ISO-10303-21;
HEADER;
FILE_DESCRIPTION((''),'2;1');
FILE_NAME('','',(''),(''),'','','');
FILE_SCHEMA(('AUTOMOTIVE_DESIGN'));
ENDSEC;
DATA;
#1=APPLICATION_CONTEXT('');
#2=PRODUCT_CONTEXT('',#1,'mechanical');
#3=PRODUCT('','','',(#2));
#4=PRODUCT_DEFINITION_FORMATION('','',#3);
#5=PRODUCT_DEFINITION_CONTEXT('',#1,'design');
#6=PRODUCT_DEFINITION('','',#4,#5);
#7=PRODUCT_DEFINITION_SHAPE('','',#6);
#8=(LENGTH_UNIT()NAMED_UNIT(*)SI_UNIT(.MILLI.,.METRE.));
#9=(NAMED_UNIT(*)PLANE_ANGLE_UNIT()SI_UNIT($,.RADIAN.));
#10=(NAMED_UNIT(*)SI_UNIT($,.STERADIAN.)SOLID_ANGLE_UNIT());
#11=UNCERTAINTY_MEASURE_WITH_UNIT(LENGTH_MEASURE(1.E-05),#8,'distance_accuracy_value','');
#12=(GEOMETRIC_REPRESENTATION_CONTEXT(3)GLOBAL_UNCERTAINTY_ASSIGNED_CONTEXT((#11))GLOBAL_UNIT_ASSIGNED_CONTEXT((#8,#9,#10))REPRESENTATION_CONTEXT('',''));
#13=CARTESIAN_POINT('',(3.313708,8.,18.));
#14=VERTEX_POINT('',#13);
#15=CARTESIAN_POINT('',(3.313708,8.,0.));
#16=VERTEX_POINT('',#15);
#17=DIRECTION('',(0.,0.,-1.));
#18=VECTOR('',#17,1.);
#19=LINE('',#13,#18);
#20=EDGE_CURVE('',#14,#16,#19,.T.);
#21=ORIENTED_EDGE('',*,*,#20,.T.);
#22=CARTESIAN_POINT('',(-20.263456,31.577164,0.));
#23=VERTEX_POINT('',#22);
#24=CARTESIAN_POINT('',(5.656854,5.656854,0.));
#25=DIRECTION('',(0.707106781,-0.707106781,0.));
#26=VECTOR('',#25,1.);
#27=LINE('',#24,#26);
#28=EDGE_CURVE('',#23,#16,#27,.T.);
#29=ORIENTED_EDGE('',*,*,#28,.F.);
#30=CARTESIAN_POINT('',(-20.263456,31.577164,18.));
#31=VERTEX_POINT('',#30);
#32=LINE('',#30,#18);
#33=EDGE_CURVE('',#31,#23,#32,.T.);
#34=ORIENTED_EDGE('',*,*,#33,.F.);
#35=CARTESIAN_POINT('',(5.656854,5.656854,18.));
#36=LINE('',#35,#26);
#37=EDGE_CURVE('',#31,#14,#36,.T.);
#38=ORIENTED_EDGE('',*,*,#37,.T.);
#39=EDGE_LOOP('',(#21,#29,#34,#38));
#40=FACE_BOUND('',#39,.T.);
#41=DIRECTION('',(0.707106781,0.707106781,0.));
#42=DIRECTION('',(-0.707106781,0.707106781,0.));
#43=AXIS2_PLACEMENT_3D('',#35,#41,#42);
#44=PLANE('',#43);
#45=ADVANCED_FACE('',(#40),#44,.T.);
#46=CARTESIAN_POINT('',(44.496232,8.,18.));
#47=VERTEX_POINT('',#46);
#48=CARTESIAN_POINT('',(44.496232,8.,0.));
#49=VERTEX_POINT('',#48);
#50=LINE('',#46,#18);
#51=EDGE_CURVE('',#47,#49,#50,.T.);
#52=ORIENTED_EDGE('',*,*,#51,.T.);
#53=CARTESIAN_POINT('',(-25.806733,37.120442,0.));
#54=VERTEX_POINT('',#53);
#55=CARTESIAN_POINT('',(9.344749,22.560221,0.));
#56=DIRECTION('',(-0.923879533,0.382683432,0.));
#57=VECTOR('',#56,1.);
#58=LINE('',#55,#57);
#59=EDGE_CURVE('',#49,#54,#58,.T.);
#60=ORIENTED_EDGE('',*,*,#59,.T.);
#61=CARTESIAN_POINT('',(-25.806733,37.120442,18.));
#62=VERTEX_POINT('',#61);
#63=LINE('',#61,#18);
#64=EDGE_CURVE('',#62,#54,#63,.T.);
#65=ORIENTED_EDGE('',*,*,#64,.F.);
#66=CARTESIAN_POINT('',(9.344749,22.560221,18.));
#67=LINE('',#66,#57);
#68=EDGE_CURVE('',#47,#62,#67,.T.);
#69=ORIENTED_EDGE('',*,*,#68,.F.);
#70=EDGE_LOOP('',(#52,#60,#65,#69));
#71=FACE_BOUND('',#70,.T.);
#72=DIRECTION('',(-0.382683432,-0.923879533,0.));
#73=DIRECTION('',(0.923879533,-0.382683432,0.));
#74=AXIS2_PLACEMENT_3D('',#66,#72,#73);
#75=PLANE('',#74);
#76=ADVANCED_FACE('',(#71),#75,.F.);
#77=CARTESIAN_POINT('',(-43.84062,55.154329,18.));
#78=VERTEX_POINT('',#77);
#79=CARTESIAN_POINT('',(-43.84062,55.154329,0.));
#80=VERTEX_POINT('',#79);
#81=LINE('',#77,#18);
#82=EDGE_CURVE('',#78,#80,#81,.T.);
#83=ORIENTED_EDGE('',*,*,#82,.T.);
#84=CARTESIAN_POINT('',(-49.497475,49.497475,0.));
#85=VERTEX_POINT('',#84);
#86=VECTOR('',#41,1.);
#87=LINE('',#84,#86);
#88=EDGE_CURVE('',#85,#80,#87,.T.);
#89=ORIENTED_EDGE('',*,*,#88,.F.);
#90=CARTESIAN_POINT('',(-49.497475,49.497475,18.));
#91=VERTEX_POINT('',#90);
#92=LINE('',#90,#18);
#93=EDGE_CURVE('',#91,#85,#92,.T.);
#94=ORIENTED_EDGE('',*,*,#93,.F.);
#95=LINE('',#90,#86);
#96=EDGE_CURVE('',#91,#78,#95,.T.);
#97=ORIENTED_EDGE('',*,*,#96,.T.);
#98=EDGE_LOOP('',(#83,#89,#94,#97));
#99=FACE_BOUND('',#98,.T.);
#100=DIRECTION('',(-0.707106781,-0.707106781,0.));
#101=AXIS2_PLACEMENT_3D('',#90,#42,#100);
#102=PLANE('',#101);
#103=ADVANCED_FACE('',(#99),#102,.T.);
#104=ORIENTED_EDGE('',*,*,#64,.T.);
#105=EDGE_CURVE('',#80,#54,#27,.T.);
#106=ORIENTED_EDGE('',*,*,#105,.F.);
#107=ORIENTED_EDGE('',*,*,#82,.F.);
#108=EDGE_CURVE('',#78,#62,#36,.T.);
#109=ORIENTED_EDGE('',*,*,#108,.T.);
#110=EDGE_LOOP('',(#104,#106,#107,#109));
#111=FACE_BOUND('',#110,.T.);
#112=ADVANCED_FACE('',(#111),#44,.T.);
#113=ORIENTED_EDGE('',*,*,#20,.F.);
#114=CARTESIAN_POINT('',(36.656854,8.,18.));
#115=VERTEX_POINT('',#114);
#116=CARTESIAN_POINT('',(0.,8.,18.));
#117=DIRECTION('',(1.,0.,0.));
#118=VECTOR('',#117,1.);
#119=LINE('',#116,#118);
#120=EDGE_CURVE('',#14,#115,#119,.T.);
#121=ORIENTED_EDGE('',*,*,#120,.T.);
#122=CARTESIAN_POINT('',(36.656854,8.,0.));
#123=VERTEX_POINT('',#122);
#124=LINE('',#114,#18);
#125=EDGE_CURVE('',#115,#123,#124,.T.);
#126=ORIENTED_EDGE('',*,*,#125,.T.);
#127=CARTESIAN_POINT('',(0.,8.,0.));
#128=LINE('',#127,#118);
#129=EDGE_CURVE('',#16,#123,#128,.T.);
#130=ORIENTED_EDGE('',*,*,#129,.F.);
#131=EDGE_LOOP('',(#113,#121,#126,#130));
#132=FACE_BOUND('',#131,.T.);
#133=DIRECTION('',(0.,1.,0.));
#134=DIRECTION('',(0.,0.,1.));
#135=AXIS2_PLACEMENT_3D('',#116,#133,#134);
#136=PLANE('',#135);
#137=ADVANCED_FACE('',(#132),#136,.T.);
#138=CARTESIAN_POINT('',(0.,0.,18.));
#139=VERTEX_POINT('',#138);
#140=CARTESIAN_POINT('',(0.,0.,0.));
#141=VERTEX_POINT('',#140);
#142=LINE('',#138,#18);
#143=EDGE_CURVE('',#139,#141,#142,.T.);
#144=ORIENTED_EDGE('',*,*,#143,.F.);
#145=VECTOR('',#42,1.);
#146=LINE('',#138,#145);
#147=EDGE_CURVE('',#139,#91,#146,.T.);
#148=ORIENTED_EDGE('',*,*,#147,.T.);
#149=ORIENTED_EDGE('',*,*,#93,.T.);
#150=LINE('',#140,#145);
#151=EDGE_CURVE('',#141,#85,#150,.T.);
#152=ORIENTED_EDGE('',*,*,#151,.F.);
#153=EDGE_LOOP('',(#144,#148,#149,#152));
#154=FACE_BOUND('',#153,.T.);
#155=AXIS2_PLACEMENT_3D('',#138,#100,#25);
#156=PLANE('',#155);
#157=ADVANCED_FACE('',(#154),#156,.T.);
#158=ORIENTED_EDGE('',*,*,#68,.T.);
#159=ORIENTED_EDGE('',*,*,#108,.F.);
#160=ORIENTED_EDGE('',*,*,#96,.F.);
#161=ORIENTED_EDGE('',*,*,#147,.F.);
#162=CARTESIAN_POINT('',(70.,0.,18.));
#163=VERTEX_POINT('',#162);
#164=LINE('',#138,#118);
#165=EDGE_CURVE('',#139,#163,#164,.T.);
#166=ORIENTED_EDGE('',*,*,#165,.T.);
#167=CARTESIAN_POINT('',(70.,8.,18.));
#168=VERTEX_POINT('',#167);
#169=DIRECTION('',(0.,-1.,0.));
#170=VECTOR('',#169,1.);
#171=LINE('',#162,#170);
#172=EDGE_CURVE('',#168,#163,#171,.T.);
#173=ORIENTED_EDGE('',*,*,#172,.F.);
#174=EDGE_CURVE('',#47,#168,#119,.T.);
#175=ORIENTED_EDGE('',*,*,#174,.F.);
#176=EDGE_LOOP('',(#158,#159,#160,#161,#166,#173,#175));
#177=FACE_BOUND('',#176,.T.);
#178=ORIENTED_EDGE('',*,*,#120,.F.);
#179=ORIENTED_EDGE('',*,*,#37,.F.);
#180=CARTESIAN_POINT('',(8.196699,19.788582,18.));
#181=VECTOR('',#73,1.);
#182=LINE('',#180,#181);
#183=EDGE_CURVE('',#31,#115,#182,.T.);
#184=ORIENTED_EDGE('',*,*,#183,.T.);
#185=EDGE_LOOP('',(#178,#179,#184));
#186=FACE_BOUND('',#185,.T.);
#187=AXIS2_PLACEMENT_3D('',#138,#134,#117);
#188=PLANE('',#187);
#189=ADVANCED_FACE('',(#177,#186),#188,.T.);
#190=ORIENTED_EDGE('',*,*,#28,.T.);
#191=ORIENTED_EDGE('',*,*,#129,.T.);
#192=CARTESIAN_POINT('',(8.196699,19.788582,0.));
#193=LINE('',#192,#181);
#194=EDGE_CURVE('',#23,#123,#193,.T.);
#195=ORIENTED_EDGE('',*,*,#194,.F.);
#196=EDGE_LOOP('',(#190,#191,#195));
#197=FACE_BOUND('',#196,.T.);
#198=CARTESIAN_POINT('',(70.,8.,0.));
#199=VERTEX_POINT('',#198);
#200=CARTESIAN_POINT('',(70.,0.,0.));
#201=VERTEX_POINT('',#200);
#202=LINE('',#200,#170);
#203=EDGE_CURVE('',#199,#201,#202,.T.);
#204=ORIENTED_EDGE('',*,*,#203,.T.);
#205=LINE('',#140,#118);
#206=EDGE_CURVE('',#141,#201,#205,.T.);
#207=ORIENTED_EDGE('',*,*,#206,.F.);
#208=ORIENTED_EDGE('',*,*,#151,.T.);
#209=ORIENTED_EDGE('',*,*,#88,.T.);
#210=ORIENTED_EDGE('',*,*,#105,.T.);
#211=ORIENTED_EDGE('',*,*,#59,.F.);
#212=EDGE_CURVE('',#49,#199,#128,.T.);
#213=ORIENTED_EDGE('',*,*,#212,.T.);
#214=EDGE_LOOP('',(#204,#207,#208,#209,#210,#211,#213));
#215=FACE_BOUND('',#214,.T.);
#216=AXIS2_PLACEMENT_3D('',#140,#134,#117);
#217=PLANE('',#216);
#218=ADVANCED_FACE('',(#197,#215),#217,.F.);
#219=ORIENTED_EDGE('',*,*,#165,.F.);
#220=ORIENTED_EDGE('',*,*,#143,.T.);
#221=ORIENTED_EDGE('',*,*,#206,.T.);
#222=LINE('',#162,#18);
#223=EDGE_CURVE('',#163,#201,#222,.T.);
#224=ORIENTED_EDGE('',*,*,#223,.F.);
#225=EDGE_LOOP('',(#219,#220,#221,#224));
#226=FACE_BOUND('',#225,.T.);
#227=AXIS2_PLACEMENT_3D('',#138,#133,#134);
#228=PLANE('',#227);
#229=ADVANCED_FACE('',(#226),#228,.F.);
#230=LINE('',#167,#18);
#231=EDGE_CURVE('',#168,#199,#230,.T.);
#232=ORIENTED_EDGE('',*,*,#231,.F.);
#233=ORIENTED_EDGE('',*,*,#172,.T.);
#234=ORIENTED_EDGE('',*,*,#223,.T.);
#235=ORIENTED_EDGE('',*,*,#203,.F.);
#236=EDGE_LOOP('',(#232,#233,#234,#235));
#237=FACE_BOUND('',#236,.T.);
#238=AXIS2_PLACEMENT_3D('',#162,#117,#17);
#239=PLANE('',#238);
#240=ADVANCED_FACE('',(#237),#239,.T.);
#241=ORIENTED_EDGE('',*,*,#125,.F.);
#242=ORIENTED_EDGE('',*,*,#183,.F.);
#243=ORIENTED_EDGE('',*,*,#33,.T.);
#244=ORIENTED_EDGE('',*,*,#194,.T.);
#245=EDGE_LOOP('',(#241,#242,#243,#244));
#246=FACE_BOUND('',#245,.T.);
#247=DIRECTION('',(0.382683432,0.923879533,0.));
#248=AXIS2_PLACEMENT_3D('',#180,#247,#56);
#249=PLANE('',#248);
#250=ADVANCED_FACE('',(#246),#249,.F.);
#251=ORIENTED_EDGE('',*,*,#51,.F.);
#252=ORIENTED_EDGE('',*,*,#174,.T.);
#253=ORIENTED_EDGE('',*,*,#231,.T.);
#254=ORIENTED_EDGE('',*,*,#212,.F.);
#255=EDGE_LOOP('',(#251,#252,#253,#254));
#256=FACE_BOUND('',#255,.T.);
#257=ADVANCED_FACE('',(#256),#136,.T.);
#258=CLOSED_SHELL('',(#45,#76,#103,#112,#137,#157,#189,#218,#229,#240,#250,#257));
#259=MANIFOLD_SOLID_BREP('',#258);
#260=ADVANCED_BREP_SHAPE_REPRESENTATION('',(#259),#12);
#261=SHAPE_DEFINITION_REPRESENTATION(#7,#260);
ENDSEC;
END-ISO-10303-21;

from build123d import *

# Parameters (mm, degrees)
EXTRUDE_1_DEPTH = 18


with BuildPart() as part:
    # 草图1 → 凸台-拉伸1 (new body)
    with BuildSketch(Plane.XY):
        Polygon((70, 8), (70, 0), (0, 0), (-49.497474683, 49.497474683), (-43.840620434, 55.154328933), (3.313708499, 8), align=None)
        Polygon((36.656854249, 8), (44.496232039, 8), (-25.806733162, 37.120441661), (-20.263455967, 31.577164466), align=None)
    extrude(amount=EXTRUDE_1_DEPTH)


solid = part.part
